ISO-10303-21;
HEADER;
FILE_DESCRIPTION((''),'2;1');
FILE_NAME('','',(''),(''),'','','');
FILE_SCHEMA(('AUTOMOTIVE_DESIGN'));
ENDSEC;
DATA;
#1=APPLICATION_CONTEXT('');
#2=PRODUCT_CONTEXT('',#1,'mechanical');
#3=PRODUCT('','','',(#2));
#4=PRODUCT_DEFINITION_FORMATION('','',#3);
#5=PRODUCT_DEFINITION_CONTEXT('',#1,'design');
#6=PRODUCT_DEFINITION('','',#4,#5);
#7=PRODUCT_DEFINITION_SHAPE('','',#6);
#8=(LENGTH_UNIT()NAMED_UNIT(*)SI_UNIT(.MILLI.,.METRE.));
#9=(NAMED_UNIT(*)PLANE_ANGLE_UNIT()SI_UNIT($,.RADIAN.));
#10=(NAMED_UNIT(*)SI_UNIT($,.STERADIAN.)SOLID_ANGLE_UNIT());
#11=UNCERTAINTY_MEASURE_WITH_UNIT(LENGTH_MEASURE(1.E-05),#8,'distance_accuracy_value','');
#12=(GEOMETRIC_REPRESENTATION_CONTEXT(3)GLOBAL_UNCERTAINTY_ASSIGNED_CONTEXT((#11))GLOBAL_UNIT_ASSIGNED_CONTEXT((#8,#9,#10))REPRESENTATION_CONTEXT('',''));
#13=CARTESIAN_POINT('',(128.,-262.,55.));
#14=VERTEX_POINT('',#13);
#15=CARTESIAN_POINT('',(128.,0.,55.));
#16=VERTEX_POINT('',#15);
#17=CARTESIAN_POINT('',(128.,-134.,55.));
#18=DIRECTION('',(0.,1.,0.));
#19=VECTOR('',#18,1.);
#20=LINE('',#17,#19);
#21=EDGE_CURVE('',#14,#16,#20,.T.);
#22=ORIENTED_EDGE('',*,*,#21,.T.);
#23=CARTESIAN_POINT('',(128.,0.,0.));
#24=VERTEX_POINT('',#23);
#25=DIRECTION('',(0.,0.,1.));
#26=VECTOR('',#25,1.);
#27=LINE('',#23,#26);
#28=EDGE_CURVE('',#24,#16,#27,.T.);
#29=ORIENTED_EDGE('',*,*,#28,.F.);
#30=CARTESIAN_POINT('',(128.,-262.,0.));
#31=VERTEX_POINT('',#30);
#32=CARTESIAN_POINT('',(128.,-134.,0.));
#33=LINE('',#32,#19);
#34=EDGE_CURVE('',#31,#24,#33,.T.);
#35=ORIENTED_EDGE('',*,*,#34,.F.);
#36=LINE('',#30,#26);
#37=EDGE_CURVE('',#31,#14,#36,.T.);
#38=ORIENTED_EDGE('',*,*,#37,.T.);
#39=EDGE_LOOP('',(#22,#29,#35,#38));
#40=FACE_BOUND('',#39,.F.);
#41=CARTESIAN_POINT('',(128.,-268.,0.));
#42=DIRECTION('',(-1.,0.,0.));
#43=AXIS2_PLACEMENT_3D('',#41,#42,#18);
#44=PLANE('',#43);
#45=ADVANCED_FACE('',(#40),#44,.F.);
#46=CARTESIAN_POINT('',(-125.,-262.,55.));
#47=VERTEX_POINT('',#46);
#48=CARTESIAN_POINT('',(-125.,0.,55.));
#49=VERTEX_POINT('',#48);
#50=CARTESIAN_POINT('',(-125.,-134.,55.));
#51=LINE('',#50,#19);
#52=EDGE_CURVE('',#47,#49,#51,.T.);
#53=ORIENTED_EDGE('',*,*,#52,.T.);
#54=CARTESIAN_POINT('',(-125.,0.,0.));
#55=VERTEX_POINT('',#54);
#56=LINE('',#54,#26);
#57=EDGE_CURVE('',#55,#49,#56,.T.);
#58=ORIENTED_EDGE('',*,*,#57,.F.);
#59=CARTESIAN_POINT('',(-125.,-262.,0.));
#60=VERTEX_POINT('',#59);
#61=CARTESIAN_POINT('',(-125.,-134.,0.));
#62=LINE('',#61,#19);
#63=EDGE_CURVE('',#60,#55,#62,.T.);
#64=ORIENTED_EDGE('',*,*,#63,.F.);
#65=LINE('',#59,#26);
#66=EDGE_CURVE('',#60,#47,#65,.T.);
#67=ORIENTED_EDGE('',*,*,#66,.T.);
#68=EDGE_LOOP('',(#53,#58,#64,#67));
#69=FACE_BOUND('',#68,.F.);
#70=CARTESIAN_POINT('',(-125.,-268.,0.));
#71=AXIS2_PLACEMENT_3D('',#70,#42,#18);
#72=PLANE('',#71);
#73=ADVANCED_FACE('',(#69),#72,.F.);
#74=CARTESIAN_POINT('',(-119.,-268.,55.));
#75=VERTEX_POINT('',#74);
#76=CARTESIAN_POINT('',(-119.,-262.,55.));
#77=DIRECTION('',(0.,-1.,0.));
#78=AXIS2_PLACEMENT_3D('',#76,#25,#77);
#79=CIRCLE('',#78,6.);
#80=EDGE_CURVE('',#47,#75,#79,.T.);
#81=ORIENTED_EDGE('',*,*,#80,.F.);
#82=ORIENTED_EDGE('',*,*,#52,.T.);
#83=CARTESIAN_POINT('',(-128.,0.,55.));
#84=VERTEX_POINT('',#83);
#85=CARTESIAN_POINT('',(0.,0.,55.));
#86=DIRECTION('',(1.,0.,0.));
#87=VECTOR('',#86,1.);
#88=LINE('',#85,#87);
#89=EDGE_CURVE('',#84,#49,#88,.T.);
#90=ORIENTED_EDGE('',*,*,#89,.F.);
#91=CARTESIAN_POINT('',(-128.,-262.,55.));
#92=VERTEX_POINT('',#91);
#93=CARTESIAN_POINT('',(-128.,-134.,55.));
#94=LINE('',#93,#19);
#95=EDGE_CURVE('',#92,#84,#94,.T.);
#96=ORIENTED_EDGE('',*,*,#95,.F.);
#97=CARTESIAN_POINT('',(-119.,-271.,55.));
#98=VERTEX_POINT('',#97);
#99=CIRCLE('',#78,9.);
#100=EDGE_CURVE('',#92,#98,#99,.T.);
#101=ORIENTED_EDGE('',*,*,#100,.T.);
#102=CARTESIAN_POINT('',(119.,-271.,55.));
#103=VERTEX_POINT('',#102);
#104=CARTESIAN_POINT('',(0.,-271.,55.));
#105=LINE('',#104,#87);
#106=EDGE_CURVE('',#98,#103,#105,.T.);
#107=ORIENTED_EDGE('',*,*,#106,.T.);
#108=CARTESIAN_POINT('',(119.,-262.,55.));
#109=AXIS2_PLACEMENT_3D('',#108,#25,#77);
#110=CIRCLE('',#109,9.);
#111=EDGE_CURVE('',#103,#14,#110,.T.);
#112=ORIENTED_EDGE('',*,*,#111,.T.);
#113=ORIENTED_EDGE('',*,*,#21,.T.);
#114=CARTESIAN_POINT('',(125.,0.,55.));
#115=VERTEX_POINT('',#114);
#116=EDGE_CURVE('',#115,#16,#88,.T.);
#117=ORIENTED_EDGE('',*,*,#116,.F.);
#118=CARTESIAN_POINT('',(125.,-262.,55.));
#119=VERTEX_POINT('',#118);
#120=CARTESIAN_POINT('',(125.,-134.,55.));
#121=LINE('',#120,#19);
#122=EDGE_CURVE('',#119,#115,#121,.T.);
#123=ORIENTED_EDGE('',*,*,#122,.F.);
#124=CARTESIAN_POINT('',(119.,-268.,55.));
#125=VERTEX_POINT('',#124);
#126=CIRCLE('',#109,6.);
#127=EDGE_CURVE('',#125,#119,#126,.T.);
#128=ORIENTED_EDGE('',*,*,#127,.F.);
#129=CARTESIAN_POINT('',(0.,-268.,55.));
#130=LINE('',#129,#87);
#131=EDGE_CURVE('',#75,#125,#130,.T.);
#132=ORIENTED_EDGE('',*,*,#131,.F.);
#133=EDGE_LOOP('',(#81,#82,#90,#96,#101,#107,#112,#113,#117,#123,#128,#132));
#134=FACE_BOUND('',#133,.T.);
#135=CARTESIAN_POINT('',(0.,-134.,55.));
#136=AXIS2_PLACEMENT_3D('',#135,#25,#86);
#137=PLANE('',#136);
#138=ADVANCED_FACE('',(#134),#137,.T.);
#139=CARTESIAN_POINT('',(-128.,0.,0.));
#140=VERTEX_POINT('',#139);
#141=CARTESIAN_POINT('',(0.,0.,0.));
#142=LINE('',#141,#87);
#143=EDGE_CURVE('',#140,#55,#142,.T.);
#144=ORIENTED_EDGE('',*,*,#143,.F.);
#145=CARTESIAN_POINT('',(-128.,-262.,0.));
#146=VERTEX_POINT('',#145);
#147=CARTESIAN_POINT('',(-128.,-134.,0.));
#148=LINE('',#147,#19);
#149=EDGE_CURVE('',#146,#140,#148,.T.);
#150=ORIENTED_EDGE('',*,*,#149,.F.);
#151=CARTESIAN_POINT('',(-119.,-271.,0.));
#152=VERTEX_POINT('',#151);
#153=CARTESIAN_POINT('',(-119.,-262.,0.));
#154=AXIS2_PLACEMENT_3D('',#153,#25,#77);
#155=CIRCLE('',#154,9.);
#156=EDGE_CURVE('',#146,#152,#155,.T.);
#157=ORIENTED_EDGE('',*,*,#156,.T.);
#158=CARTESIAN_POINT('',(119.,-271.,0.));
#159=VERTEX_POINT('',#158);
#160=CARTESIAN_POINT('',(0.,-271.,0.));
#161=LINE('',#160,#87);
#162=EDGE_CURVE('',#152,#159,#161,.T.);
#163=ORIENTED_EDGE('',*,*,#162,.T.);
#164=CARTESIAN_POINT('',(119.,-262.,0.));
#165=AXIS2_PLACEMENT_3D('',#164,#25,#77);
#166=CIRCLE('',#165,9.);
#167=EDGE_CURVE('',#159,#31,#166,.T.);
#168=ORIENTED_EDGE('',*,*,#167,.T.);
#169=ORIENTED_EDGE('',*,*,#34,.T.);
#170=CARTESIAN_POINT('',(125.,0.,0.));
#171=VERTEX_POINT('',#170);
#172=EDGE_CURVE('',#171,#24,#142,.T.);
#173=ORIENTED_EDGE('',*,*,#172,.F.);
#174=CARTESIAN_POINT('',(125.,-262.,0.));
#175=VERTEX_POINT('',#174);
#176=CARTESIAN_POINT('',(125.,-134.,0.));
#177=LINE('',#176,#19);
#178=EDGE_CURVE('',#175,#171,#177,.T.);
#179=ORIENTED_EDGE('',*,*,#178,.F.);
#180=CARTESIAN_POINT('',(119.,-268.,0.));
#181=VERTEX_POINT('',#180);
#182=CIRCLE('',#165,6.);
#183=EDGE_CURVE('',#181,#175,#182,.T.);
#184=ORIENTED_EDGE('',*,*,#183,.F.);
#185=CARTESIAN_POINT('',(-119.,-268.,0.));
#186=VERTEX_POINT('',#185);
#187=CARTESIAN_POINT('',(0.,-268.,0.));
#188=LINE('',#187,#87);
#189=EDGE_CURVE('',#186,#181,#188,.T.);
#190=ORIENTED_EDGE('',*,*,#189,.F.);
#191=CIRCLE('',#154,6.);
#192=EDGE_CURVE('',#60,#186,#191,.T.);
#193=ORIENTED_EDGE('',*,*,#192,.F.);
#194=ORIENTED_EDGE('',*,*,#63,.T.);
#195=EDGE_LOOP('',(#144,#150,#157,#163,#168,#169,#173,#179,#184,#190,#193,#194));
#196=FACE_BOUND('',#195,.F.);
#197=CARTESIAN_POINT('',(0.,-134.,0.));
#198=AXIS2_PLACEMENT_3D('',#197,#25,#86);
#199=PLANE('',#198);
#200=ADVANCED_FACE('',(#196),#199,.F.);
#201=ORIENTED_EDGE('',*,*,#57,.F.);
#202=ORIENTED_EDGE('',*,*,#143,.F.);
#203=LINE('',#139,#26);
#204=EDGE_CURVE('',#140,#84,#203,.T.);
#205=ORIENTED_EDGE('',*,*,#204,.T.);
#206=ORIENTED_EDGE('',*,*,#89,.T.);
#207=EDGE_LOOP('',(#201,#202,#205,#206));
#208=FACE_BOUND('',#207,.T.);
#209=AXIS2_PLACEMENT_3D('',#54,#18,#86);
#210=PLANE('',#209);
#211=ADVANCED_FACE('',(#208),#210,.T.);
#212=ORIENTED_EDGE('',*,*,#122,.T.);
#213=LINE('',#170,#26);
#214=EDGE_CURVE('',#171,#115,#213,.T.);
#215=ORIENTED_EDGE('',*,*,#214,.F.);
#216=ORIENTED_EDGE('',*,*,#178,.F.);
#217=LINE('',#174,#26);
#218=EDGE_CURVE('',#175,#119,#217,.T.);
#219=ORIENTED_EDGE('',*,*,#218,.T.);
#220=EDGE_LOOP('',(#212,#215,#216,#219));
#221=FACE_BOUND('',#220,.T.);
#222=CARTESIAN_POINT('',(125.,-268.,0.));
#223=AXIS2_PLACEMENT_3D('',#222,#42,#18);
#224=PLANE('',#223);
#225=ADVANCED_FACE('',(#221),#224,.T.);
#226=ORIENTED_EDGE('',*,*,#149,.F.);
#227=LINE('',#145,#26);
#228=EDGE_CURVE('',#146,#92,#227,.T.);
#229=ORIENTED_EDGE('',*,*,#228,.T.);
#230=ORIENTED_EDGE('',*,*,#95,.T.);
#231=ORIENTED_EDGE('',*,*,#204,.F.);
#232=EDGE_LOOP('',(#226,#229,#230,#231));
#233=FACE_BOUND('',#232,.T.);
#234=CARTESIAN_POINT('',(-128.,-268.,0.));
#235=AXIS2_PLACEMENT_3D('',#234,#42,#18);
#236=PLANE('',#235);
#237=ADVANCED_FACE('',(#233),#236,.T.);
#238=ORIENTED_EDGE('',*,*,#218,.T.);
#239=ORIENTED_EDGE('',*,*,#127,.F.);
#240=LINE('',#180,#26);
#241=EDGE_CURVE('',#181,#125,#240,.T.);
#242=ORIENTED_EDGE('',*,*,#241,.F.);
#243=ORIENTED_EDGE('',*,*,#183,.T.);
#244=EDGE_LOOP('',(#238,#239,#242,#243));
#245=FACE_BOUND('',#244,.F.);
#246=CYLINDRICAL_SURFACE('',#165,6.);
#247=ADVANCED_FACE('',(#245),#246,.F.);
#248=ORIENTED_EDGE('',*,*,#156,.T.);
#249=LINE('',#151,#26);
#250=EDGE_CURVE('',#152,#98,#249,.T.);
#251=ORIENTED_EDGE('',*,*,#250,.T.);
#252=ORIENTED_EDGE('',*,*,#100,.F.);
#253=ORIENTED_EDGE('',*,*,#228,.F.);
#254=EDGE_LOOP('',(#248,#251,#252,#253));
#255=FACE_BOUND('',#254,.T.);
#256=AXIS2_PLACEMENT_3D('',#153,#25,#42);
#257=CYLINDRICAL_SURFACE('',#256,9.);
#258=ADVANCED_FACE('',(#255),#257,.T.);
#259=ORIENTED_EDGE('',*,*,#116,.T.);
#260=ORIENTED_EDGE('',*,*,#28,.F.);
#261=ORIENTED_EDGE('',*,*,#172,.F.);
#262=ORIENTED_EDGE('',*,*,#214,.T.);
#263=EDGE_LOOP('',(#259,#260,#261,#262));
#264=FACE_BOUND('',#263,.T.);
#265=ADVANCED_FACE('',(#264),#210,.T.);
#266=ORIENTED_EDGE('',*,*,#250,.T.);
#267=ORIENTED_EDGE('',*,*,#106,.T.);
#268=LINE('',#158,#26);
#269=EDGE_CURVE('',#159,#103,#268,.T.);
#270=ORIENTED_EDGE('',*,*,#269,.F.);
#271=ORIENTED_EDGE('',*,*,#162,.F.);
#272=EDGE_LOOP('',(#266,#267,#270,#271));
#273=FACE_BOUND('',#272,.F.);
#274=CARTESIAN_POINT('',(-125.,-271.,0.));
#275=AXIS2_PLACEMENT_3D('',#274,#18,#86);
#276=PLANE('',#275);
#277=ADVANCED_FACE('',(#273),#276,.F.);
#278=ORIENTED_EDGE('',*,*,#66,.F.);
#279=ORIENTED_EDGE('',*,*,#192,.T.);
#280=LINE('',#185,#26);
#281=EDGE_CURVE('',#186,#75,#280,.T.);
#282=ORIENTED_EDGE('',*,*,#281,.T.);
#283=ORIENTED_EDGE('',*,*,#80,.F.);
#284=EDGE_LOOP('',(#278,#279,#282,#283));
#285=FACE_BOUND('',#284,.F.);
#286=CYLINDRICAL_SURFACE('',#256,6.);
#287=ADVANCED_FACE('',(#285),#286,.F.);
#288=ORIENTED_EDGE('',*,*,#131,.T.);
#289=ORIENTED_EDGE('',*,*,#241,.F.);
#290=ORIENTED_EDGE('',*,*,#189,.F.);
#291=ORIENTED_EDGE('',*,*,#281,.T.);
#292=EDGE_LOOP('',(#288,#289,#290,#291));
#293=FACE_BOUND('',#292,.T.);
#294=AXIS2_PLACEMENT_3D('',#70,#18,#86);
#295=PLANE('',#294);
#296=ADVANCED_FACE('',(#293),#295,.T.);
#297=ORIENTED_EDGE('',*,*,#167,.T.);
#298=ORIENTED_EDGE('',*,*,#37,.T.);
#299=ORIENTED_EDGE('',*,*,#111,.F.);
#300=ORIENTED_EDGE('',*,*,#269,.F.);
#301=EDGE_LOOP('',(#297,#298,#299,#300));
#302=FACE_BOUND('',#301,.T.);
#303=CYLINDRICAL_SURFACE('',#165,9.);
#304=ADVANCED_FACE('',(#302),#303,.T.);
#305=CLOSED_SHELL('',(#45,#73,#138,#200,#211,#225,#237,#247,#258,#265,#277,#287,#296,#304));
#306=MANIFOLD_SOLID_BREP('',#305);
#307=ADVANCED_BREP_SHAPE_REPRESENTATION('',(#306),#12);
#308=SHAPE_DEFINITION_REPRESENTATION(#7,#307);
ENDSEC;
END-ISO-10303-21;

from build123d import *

# Parameters (mm, degrees)
SKETCH040_W    = 250
SKETCH040_H    = 268
PAD011_DEPTH   = 55
FILLET013_R    = 6
THICKNESS001_T = 3


with BuildPart() as part:
    # Sketch040 → Pad011 (new body)
    with BuildSketch(Plane.XY):
        with Locations((0, -134)):
            Rectangle(SKETCH040_W, SKETCH040_H)
    extrude(amount=PAD011_DEPTH)

    # Fillet013
    fillet013_edges = [part.edges().sort_by_distance(p)[0] for p in [
        (125, -268, 27.5),
        (-125, -268, 27.5),
    ]]
    fillet(fillet013_edges, radius=FILLET013_R)

    # Thickness001
    thickness001_openings = [part.faces().sort_by_distance(p)[0] for p in [
        (0, -133.969399, 55),
        (0, -133.969399, 0),
        (0, 0, 27.5),
    ]]
    offset(amount=THICKNESS001_T, openings=thickness001_openings)


solid = part.part
